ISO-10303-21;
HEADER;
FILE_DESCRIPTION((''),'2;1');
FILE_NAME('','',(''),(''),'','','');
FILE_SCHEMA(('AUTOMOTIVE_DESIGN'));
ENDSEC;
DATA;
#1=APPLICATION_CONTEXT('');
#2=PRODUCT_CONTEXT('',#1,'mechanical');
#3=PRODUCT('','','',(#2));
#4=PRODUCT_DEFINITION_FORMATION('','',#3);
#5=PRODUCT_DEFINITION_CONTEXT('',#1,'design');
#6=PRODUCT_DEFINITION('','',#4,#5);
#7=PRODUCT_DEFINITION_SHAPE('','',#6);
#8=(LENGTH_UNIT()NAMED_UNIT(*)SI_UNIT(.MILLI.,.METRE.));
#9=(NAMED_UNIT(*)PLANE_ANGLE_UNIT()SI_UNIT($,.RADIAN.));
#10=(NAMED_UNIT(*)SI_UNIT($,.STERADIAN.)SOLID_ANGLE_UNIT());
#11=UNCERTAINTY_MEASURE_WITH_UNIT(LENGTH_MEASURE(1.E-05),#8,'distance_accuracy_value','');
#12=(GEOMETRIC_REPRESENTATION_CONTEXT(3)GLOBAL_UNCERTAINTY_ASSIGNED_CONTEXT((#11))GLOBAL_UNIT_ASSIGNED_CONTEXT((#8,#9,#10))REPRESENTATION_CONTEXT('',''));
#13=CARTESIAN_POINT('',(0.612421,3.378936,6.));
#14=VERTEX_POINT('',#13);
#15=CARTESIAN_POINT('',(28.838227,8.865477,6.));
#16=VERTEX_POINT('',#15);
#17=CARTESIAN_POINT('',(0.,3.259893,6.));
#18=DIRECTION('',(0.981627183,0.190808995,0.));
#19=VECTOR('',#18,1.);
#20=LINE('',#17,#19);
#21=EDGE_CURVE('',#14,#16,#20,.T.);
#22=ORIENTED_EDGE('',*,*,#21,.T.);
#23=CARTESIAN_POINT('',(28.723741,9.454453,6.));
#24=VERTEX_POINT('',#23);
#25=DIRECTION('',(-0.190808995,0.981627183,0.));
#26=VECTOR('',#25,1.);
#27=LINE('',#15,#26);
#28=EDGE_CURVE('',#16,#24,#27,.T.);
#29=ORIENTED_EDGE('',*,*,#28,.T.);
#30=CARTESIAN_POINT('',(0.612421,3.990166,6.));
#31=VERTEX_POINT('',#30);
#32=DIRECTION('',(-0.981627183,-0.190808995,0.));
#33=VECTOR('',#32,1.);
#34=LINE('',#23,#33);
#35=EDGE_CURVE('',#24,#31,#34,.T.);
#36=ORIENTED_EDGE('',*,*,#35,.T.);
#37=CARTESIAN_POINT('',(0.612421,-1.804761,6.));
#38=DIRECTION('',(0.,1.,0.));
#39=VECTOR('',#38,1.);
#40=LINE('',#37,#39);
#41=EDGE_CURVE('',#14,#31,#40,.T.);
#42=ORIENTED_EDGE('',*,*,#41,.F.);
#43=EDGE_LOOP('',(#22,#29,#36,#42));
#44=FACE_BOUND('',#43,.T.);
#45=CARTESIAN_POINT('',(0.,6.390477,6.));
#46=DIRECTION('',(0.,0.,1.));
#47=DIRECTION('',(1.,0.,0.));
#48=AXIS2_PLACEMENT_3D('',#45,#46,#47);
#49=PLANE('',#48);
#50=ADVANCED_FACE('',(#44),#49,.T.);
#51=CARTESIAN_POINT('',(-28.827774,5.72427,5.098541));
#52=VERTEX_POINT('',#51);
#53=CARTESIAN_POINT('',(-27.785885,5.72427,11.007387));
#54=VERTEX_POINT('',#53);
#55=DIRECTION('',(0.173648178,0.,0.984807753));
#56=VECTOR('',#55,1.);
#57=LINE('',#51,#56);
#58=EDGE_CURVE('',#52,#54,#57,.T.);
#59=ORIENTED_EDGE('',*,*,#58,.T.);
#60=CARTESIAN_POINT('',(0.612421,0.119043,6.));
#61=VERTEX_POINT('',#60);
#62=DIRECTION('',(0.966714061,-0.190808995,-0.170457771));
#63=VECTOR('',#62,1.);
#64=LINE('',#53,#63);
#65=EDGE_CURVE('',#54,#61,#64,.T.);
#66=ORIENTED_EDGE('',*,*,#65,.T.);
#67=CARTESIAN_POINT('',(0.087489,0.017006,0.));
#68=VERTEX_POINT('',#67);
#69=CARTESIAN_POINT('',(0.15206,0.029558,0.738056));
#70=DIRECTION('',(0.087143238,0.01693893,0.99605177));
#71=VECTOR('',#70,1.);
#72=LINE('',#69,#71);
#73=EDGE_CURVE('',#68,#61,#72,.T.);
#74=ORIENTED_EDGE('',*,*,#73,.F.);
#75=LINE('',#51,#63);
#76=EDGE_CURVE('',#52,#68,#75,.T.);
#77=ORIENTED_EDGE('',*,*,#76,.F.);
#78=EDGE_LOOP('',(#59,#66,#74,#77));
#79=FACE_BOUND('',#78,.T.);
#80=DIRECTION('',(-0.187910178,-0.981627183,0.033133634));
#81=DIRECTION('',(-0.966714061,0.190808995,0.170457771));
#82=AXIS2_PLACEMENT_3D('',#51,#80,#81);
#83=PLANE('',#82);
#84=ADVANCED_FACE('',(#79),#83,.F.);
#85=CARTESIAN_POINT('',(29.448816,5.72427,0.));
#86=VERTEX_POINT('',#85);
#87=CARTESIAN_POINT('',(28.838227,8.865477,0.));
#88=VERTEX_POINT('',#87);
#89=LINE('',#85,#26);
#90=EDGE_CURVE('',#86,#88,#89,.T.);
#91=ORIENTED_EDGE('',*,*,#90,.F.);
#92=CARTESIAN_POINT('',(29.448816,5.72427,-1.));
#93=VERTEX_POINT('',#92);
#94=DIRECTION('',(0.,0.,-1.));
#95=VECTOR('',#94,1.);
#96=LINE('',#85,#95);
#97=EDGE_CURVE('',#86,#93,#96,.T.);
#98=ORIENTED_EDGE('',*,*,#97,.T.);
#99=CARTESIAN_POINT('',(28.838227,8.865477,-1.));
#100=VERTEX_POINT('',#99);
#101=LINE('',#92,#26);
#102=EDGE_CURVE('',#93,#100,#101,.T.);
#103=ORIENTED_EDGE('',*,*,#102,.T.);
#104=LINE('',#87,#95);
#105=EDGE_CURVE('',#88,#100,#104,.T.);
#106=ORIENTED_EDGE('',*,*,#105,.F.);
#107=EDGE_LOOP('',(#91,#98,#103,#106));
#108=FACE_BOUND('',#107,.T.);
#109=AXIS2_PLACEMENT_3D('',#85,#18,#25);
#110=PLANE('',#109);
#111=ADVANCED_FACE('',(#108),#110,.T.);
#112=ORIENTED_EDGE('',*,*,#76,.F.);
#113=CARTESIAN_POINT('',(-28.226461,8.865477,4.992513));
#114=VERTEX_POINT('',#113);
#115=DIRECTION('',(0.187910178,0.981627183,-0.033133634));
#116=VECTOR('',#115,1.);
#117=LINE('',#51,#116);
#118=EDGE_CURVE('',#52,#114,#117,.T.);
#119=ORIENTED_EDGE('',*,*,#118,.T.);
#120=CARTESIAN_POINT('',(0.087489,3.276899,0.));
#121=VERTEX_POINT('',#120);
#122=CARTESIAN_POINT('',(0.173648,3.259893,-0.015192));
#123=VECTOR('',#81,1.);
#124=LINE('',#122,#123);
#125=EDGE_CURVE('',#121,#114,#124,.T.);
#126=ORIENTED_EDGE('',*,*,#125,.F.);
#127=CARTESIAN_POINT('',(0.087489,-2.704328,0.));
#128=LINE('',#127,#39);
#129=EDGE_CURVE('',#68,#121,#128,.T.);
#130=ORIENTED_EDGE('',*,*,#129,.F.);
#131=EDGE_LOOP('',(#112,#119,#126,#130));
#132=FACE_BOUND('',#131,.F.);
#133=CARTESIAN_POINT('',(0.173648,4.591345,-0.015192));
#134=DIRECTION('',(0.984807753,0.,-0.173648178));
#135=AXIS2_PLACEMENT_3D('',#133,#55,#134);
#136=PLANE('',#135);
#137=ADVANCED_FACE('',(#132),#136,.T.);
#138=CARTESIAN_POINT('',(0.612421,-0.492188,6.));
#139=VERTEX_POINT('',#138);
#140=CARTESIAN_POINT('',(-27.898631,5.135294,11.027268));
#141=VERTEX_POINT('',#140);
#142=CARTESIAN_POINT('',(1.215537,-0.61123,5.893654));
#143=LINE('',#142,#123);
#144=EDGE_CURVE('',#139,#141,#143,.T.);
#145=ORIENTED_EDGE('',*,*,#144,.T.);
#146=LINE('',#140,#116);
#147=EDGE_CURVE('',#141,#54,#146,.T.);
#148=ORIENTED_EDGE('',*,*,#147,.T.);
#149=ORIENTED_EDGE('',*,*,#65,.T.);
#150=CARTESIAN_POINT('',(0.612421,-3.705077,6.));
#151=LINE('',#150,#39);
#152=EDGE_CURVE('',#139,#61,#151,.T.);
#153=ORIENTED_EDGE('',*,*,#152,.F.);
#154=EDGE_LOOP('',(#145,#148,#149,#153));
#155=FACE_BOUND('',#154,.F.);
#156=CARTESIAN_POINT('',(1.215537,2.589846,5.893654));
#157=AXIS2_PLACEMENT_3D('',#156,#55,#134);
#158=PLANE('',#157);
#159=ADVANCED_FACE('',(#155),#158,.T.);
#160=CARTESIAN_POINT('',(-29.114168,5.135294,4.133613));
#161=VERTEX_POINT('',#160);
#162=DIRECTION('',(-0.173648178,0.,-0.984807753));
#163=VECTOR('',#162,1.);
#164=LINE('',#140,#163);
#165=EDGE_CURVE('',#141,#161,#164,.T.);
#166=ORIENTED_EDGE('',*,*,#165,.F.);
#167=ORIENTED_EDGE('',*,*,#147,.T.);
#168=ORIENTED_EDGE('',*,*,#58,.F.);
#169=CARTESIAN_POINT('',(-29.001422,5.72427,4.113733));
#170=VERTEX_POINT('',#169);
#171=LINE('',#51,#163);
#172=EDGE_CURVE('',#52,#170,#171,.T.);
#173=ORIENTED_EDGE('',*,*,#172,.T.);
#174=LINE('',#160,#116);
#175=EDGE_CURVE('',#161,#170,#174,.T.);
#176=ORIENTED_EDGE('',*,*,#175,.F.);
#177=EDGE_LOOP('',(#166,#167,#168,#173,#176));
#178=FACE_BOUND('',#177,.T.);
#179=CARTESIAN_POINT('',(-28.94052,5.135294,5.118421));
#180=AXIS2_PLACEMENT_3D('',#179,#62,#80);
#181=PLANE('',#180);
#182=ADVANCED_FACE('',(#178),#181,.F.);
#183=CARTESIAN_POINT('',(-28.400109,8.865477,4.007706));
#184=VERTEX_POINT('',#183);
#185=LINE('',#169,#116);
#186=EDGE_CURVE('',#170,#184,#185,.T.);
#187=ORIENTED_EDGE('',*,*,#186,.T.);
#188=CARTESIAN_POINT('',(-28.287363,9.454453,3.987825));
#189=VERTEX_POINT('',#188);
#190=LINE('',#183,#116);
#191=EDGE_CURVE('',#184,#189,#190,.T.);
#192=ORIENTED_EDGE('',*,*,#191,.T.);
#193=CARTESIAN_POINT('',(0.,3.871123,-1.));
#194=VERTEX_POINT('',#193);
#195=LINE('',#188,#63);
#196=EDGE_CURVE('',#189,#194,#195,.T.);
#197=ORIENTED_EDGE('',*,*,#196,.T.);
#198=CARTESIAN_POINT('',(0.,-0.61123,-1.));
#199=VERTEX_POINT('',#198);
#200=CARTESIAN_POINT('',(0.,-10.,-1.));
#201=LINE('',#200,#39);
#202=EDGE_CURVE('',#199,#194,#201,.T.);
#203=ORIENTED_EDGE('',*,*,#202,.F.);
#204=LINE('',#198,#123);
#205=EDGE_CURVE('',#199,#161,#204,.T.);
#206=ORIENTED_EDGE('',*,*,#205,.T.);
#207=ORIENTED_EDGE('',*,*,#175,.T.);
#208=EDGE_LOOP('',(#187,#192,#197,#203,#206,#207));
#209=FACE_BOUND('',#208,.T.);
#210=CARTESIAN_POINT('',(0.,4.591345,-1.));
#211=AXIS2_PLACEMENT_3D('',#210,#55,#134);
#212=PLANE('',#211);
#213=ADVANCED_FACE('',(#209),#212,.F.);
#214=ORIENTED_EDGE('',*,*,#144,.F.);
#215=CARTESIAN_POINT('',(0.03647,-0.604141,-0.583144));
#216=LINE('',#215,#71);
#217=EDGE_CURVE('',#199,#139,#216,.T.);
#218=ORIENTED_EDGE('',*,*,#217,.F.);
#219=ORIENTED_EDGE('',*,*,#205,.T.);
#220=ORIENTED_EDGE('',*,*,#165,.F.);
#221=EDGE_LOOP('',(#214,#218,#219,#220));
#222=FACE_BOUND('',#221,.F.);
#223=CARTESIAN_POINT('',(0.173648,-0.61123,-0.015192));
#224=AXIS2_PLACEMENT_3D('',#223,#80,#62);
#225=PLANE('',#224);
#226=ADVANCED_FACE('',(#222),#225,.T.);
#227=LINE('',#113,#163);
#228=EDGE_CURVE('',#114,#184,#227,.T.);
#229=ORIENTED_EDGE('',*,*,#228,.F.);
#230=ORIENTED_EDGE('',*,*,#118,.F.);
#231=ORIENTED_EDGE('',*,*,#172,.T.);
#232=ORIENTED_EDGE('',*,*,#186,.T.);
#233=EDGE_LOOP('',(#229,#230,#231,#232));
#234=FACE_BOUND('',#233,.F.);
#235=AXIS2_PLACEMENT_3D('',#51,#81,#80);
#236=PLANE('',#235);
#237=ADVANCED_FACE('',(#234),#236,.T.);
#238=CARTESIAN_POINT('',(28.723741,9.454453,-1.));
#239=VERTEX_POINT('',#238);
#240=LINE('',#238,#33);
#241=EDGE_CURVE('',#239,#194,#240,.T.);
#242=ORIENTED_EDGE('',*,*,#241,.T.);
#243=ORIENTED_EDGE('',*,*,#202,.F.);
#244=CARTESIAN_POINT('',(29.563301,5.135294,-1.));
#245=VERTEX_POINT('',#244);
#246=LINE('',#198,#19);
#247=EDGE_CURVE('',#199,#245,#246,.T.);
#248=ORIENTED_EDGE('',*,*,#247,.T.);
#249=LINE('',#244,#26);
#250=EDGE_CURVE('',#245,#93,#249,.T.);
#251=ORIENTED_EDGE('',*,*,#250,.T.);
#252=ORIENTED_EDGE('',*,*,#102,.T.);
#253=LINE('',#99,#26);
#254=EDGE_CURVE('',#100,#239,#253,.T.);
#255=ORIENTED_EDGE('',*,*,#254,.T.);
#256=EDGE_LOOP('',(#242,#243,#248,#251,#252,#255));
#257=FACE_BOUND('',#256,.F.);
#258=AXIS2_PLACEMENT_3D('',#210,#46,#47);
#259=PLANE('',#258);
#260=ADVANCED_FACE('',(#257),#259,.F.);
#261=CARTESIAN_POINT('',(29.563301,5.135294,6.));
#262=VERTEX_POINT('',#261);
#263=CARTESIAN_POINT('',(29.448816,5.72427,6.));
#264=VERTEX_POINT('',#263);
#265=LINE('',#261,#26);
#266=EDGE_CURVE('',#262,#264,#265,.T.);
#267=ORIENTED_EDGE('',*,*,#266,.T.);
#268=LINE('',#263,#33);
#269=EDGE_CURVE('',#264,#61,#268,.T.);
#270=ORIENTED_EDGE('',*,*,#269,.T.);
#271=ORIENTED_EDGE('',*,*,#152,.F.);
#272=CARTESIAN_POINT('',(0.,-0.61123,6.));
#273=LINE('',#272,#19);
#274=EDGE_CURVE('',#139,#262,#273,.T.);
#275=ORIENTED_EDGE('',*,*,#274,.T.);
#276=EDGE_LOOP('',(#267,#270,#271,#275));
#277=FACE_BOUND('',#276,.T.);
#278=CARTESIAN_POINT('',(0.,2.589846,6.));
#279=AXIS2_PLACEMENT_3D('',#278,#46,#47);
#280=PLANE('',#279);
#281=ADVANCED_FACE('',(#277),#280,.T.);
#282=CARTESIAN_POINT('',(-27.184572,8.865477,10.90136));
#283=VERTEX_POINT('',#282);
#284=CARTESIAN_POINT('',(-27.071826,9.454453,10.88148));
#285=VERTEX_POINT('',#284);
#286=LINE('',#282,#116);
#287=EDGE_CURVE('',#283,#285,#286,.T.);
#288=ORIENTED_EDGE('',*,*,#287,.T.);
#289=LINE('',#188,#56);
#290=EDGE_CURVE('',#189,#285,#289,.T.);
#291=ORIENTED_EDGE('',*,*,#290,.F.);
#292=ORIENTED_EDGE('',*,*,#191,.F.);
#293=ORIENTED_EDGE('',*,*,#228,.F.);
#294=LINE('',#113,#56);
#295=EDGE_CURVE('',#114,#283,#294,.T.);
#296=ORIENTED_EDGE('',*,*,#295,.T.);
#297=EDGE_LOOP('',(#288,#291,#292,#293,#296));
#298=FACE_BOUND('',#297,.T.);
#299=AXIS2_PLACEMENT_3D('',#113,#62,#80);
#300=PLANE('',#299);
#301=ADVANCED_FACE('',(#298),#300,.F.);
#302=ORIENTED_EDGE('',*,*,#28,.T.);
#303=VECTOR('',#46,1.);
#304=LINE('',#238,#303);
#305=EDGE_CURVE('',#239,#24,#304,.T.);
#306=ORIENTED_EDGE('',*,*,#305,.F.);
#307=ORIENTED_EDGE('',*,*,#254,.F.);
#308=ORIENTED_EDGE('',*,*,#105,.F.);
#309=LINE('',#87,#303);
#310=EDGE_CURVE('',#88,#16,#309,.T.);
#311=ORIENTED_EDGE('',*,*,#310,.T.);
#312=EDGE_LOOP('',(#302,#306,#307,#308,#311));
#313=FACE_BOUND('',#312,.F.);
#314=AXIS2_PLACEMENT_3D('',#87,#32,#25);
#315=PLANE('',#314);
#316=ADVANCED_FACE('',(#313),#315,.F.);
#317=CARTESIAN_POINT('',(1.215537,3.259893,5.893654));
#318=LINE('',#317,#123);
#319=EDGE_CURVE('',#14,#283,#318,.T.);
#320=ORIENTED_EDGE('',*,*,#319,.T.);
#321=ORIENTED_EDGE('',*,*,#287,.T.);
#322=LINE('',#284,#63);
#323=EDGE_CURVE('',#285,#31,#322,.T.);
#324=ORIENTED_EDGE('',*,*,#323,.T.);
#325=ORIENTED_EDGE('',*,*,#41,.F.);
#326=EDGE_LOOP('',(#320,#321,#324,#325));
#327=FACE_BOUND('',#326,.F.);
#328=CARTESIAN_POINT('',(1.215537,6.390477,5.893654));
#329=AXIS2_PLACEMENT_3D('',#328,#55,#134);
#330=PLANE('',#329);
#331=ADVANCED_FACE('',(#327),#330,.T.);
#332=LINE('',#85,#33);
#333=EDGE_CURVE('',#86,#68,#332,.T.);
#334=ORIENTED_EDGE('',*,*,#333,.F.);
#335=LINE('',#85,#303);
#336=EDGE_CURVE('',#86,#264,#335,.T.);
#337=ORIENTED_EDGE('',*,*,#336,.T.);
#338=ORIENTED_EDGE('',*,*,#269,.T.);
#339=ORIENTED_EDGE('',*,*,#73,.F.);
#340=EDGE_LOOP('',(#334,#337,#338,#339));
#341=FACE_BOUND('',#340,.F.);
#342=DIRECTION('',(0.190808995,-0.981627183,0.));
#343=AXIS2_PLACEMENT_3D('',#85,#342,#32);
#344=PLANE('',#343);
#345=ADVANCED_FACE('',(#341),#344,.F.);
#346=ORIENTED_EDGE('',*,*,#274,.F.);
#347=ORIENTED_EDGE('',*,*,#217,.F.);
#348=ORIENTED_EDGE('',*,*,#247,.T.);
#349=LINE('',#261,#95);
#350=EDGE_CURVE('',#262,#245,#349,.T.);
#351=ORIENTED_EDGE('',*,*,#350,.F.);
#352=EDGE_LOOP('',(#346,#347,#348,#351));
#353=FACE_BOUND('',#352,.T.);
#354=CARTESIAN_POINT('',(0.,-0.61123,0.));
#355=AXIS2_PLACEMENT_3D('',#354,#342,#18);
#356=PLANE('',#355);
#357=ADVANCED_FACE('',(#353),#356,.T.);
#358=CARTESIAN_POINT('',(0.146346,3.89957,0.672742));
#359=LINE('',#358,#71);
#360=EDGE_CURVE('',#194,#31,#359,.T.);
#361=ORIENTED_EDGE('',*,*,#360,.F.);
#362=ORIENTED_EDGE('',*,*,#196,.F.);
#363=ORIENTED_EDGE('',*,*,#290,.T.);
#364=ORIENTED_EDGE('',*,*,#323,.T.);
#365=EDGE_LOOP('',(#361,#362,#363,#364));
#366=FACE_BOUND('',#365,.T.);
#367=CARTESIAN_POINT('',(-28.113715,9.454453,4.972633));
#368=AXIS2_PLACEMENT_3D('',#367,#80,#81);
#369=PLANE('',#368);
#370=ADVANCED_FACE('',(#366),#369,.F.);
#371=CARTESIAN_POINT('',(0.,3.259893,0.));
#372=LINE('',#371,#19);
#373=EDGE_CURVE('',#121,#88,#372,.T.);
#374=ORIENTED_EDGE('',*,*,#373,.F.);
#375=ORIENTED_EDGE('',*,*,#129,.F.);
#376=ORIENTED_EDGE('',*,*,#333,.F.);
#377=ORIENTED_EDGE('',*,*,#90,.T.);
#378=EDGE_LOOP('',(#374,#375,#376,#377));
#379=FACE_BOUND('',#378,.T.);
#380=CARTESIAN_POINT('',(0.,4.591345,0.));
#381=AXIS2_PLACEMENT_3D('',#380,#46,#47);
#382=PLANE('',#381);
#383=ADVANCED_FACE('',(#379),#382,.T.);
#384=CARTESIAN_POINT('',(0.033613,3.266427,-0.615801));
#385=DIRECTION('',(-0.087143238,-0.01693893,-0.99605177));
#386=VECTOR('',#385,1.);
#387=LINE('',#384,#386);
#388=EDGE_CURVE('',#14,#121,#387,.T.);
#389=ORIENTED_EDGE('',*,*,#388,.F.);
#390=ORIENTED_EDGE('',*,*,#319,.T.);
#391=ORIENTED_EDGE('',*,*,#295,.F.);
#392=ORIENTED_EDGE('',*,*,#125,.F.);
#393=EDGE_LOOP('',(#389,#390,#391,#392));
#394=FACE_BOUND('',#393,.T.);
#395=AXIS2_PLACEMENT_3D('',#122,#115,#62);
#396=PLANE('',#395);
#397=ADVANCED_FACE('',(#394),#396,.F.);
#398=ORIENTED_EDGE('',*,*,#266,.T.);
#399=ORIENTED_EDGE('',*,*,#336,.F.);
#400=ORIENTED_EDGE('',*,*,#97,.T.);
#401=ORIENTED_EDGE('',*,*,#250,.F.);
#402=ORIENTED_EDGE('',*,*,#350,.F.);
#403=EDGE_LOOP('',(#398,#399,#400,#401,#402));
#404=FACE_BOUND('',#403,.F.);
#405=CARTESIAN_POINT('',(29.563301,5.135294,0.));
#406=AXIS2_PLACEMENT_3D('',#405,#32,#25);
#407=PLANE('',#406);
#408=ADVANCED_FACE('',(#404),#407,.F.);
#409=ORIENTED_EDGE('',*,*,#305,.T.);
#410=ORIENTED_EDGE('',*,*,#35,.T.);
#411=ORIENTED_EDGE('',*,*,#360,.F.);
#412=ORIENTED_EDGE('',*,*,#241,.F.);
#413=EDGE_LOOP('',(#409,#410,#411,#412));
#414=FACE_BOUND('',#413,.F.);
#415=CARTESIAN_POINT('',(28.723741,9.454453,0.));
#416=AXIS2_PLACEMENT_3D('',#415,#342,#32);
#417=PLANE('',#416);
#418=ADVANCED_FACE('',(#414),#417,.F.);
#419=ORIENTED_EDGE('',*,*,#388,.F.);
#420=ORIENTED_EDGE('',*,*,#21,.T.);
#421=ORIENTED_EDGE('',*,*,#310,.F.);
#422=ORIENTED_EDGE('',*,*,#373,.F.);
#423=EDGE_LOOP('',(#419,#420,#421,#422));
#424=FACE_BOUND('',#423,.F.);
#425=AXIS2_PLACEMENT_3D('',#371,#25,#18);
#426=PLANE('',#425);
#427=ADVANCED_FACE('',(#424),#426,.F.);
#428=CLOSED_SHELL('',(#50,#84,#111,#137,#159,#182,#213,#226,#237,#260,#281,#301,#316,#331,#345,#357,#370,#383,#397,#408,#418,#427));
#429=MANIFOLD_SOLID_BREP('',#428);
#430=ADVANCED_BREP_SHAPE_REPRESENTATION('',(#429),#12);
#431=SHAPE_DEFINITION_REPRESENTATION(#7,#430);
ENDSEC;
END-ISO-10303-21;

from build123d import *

# Parameters (mm, degrees)
F1_DEPTH = 1
F2_DEPTH = 6
F5_DEPTH = 25
F8_DEPTH = 19.4554531584


with BuildPart() as f1:
    # F0 (on Top) → F1 (new body)
    with BuildSketch(Plane.XY):
        Polygon((-29.4488155034, 5.7242698613), (0, 0), (29.4488155034, 5.7242698613), (28.8382267182, 8.8654768483), (0, 3.2598934239), (-28.8382267182, 8.8654768483), align=None)
        Polygon((29.4488155034, 5.7242698613), (0, 0), (-29.4488155034, 5.7242698613), (-29.5633009007, 5.1352935512), (0, -0.611230017), (29.5633009007, 5.1352935512), align=None)
        Polygon((0, 3.2598934239), (28.8382267182, 8.8654768483), (28.723741321, 9.4544531584), (0, 3.8711234408), (-28.723741321, 9.4544531584), (-28.8382267182, 8.8654768483), align=None)
    extrude(amount=-F1_DEPTH)

    # F0 (on Top) → F2 (join)
    with BuildSketch(Plane.XY):
        Polygon((0, 3.2598934239), (28.8382267182, 8.8654768483), (28.723741321, 9.4544531584), (0, 3.8711234408), (-28.723741321, 9.4544531584), (-28.8382267182, 8.8654768483), align=None)
        Polygon((29.4488155034, 5.7242698613), (0, 0), (-29.4488155034, 5.7242698613), (-29.5633009007, 5.1352935512), (0, -0.611230017), (29.5633009007, 5.1352935512), align=None)
    extrude(amount=F2_DEPTH)

    # F4 (on face) → F5 (cut)
    with BuildSketch(Plane(origin=(0.7250741824, 3.7301832971, 0), x_dir=(-0.9816271834, 0.1908089954, 0), z_dir=(0.1908089954, 0.9816271834, 0))):
        Polygon((30, 2), (30, 6), (8.7386451747, 6), align=None)
    extrude(amount=-F5_DEPTH, mode=Mode.SUBTRACT)

    # F7 (on offset) → F8 (cut, through all)
    with BuildSketch(Plane.XZ.offset(10)):
        Polygon((-30.2472151816, -2.2539433558), (0, -2.2539433558), (0, -1), (0, 10.581173934), (-30.2472151816, 10.581173934), align=None)
        Polygon((0, 10.581173934), (0, -1), (1.0596845285, 11.1122495846), align=None)
    extrude(amount=-F8_DEPTH, mode=Mode.SUBTRACT)

    # F10: F1 across plane


with BuildPart() as f1_1:
    add(f1.part)
    add(f1.part.mirror(Plane(origin=(0.2338059111, 1.6753939772, 1.6724137931), x_dir=(0, -1, 0), z_dir=(-0.9961946981, 0, 0.0871557427))))


solid = f1_1.part
